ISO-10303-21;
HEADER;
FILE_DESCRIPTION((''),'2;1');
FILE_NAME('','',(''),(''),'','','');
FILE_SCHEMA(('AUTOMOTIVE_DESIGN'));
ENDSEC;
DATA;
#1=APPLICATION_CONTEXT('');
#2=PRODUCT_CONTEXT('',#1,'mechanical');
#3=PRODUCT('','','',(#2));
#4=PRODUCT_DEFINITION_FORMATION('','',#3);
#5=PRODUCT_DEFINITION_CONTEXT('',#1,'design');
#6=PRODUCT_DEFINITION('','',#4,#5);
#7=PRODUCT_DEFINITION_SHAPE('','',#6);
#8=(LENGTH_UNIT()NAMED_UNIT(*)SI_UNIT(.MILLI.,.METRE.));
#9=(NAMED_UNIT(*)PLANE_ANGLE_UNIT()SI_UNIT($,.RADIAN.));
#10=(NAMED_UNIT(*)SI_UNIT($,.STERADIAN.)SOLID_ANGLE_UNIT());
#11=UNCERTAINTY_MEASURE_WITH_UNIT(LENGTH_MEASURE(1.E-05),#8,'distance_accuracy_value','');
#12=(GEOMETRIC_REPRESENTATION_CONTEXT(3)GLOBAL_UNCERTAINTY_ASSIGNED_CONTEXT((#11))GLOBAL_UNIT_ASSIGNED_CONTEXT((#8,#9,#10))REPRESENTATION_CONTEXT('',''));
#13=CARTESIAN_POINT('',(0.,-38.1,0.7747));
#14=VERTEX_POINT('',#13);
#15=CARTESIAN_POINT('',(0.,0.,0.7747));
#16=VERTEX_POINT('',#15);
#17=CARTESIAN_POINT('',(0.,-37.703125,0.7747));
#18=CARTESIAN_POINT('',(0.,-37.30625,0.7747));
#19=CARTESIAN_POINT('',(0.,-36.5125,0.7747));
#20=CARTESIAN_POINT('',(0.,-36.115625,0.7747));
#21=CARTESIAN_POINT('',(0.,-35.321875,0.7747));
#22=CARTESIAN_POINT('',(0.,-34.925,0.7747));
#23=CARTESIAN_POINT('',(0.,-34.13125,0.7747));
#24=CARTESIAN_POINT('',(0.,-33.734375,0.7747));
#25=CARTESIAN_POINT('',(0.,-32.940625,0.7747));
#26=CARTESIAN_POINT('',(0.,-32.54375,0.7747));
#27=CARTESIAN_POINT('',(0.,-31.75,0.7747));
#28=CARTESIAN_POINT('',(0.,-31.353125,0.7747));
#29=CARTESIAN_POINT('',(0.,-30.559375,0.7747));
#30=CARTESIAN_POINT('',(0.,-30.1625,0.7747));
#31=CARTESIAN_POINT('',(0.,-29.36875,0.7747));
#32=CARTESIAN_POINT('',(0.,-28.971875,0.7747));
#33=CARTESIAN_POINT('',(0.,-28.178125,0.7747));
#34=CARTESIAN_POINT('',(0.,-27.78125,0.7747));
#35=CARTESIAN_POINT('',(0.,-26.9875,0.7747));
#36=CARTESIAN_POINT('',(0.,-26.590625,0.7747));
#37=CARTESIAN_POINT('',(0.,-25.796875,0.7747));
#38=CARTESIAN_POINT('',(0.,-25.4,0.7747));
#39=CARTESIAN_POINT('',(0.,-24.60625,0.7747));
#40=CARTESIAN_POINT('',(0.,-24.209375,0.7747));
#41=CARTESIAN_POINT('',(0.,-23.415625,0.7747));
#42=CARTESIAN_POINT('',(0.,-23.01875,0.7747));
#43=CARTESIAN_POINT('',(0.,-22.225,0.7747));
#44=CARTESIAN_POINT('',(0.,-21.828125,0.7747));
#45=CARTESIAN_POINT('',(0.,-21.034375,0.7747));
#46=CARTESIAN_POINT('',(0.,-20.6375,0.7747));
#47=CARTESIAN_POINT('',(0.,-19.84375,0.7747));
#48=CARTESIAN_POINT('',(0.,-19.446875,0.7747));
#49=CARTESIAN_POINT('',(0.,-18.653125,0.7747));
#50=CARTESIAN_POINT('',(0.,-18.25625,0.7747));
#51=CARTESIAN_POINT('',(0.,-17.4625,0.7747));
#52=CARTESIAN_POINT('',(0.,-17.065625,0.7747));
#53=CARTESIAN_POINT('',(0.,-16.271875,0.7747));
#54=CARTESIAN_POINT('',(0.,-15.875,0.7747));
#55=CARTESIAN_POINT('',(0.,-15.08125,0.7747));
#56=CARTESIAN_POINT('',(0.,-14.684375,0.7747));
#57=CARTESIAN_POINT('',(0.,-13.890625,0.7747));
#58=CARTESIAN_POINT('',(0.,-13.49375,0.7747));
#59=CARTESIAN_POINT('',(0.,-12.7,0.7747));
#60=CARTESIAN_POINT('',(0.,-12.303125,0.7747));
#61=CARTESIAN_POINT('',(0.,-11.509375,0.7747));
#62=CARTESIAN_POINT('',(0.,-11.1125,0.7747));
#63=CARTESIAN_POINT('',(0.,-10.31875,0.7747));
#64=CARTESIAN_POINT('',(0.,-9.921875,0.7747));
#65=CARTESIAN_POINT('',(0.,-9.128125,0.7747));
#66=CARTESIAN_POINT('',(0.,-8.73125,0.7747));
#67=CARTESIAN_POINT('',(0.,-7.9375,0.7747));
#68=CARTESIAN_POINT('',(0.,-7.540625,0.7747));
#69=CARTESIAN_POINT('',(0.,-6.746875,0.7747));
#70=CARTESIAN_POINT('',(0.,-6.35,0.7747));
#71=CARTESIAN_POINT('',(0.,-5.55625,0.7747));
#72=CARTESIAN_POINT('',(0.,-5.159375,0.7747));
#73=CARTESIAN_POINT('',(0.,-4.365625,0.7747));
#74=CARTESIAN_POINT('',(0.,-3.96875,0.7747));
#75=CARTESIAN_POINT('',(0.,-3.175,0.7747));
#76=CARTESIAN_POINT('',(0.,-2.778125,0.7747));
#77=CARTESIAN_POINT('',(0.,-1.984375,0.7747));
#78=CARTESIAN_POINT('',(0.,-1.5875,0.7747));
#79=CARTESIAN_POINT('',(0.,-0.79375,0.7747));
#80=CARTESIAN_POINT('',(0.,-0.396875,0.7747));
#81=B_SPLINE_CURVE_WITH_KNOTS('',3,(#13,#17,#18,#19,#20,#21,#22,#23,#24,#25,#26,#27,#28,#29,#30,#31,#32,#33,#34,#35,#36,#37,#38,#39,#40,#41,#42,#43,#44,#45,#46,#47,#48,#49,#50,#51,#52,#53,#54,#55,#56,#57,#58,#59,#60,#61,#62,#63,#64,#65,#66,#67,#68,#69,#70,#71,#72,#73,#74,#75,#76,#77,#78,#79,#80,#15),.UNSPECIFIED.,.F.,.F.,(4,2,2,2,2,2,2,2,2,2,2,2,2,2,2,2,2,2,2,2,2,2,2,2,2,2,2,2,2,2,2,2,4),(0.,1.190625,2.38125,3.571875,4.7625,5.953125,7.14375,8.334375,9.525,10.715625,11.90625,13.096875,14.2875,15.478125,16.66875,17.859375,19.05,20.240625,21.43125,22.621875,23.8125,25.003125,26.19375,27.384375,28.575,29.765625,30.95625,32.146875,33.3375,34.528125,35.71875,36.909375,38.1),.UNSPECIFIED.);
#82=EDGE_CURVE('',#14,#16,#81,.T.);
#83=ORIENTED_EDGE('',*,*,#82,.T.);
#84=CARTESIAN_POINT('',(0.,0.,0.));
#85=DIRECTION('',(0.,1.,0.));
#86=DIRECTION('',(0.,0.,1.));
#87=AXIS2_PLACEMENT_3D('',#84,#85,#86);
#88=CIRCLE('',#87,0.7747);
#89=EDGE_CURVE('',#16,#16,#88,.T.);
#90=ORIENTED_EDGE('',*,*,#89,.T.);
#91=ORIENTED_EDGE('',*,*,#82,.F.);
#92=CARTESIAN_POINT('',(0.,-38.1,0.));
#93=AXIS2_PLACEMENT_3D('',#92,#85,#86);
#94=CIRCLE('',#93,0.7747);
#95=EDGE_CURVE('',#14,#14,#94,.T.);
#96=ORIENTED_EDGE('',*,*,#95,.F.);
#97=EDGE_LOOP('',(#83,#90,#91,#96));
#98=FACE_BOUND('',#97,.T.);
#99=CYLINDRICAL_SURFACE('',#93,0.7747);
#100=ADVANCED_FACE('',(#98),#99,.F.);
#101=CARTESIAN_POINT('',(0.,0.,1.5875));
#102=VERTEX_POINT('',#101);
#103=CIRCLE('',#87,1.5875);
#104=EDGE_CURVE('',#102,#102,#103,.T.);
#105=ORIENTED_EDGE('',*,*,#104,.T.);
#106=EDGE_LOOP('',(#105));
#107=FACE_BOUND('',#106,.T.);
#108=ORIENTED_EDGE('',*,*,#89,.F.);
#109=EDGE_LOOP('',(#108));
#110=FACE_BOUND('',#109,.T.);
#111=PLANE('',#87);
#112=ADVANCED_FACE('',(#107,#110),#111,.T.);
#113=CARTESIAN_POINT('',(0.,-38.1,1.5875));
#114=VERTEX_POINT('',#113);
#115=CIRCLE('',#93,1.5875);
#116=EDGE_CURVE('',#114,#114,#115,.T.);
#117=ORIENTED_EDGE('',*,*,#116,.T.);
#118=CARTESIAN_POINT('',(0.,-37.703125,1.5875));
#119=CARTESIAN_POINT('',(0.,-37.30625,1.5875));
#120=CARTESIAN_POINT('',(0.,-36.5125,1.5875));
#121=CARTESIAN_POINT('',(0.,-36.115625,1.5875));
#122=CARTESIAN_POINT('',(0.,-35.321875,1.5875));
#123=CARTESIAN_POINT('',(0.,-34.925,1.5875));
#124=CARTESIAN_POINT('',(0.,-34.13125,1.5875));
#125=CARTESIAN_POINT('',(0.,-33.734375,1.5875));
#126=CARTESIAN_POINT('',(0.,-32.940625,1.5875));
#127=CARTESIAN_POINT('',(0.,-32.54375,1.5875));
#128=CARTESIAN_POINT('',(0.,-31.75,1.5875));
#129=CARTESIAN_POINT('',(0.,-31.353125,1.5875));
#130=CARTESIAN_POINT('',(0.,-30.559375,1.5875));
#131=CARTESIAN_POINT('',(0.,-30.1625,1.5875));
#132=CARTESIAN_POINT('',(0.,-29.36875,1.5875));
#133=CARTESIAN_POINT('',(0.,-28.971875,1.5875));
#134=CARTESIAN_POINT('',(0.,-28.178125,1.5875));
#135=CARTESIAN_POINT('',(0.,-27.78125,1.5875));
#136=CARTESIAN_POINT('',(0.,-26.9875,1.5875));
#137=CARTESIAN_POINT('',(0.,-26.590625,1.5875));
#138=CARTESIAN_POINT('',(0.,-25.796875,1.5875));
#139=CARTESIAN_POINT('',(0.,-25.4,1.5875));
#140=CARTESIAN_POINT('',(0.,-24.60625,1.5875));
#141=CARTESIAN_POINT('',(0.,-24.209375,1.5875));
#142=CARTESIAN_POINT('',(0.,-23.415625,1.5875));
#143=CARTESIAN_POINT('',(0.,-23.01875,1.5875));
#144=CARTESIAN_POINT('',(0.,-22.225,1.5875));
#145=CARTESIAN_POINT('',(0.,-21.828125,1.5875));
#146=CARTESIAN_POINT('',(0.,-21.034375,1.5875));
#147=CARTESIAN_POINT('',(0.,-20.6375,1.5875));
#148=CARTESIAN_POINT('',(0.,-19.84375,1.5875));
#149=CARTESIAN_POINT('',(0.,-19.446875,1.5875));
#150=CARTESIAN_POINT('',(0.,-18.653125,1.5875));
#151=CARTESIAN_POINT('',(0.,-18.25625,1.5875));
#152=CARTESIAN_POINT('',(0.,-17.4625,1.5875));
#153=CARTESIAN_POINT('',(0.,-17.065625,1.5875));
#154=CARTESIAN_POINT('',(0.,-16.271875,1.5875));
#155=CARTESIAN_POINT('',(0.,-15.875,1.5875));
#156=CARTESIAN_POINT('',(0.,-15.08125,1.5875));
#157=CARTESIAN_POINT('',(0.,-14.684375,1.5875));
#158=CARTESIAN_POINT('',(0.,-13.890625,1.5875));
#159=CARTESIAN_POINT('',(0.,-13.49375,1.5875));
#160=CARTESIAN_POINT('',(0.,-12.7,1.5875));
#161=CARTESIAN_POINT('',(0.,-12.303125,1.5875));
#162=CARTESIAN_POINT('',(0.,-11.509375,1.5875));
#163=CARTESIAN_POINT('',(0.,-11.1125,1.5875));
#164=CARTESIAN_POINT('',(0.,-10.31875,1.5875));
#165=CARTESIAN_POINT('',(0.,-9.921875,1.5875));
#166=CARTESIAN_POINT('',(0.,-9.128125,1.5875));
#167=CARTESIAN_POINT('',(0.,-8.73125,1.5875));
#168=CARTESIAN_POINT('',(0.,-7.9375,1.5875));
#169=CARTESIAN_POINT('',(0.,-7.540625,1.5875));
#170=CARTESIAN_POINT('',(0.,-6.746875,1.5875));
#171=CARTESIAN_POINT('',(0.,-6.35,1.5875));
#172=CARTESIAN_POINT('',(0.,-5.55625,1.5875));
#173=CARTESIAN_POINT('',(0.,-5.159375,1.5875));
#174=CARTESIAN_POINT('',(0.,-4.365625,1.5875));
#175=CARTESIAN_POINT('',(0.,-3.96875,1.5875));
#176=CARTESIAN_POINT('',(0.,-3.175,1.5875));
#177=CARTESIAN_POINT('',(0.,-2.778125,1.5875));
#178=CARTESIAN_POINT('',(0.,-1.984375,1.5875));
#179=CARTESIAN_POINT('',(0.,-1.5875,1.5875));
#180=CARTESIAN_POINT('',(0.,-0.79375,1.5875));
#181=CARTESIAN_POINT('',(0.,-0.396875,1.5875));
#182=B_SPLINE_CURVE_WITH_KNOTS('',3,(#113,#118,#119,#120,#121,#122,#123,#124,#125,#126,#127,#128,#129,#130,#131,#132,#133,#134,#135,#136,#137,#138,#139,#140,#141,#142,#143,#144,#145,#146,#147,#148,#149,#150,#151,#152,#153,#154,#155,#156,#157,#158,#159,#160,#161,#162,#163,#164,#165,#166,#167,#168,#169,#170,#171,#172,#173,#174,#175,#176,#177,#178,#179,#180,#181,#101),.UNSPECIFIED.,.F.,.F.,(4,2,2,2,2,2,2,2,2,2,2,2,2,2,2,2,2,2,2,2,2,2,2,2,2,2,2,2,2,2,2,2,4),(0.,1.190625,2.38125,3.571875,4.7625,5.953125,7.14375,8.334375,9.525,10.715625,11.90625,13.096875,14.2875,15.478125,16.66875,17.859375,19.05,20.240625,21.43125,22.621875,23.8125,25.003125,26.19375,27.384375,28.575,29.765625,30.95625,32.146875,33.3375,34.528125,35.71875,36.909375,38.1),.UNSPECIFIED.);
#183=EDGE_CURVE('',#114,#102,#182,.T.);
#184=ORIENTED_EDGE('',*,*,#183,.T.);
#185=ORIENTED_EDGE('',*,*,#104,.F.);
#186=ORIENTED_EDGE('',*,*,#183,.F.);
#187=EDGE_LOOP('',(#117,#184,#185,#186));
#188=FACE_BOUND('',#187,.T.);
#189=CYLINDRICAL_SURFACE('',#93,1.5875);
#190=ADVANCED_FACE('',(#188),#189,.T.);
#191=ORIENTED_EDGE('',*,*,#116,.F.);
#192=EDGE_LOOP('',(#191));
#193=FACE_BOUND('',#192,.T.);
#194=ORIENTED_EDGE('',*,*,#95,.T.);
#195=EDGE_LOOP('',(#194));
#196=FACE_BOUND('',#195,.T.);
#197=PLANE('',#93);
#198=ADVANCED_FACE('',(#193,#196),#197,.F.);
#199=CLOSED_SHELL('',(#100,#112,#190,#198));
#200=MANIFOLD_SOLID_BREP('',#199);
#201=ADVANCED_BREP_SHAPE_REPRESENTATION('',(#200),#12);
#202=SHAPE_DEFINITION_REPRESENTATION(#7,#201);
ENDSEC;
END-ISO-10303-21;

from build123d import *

# Parameters (mm, degrees)
SKETCH1_R           = 1.5875
SKETCH1_R_2         = 0.7747
BOSS_EXTRUDE1_DEPTH = 38.1


with BuildPart() as part:
    # Sketch1 → Boss-Extrude1 (new body)
    with BuildSketch(Plane(origin=(0, 0, 0), x_dir=(1, 0, 0), z_dir=(0, 1, 0))):
        with Locations(Location((0, 0, 0), (0, 0, 270))):
            Circle(SKETCH1_R)
        with Locations(Location((0, 0, 0), (0, 0, 270))):
            Circle(SKETCH1_R_2, mode=Mode.SUBTRACT)
    extrude(amount=-BOSS_EXTRUDE1_DEPTH)


solid = part.part
